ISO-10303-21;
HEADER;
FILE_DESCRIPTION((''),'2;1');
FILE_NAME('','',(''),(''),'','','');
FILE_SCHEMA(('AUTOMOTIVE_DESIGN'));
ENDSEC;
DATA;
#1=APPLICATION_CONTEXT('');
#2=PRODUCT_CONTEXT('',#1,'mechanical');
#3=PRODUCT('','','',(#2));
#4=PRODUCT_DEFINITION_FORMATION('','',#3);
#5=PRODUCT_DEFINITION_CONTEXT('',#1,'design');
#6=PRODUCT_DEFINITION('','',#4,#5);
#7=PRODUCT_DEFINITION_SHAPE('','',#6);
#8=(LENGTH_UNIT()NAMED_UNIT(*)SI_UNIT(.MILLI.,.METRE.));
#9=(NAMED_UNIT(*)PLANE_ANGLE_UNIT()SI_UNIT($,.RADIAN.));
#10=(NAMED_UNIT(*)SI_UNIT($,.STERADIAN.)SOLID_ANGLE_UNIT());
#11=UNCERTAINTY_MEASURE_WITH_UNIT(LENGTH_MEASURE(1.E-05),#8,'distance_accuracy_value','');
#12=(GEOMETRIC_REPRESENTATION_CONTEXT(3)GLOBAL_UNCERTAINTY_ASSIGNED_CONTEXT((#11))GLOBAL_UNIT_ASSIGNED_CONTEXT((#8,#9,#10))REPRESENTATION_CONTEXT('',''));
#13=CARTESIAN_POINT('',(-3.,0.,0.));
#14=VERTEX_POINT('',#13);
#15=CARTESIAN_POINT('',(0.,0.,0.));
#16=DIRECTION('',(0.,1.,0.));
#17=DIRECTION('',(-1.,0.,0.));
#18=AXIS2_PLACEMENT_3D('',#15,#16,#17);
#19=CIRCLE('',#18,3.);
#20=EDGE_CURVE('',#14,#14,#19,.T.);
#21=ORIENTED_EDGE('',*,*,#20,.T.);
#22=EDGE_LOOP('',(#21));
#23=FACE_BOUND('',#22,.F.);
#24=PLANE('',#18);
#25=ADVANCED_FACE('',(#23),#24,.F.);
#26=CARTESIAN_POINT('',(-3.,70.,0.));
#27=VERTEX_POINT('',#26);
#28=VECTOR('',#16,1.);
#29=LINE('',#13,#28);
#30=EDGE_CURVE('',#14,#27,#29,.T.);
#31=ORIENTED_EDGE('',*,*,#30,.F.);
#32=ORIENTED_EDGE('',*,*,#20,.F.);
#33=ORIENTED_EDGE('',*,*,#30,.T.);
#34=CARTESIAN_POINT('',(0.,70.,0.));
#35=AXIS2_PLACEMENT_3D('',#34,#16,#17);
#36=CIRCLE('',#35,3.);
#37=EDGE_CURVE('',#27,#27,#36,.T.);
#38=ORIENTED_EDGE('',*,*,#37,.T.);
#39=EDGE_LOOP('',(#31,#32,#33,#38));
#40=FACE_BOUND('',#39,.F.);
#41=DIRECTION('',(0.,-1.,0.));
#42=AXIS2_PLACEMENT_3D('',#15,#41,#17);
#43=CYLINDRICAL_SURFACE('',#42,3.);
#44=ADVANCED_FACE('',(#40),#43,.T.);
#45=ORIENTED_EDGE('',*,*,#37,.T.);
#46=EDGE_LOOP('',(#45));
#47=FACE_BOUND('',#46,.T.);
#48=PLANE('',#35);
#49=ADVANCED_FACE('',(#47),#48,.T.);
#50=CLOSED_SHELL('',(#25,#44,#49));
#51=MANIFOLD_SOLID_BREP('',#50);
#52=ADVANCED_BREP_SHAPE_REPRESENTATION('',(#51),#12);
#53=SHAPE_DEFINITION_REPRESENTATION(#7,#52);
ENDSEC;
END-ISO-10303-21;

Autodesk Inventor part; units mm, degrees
ref_plane "YZ Plane" through (0, 0, 0) normal (1, 0, 0) x (0, 1, 0)
ref_plane "XZ Plane" through (0, 0, 0) normal (0, 1, 0) x (-1, 0, 0)
ref_plane "XY Plane" through (0, 0, 0) normal (0, 0, 1) x (1, 0, 0)
sketch "Sketch1" plane through (0, 0, 0) normal (0, 1, 0) x (-1, 0, 0)
  circle A0 centre (0, 0) radius 3
  dimension "d0" = 6
extrude "Extrusion1" add sketch "Sketch1" along normal blind 70
properties part number "Shaft" material "Steel, Alloy"
